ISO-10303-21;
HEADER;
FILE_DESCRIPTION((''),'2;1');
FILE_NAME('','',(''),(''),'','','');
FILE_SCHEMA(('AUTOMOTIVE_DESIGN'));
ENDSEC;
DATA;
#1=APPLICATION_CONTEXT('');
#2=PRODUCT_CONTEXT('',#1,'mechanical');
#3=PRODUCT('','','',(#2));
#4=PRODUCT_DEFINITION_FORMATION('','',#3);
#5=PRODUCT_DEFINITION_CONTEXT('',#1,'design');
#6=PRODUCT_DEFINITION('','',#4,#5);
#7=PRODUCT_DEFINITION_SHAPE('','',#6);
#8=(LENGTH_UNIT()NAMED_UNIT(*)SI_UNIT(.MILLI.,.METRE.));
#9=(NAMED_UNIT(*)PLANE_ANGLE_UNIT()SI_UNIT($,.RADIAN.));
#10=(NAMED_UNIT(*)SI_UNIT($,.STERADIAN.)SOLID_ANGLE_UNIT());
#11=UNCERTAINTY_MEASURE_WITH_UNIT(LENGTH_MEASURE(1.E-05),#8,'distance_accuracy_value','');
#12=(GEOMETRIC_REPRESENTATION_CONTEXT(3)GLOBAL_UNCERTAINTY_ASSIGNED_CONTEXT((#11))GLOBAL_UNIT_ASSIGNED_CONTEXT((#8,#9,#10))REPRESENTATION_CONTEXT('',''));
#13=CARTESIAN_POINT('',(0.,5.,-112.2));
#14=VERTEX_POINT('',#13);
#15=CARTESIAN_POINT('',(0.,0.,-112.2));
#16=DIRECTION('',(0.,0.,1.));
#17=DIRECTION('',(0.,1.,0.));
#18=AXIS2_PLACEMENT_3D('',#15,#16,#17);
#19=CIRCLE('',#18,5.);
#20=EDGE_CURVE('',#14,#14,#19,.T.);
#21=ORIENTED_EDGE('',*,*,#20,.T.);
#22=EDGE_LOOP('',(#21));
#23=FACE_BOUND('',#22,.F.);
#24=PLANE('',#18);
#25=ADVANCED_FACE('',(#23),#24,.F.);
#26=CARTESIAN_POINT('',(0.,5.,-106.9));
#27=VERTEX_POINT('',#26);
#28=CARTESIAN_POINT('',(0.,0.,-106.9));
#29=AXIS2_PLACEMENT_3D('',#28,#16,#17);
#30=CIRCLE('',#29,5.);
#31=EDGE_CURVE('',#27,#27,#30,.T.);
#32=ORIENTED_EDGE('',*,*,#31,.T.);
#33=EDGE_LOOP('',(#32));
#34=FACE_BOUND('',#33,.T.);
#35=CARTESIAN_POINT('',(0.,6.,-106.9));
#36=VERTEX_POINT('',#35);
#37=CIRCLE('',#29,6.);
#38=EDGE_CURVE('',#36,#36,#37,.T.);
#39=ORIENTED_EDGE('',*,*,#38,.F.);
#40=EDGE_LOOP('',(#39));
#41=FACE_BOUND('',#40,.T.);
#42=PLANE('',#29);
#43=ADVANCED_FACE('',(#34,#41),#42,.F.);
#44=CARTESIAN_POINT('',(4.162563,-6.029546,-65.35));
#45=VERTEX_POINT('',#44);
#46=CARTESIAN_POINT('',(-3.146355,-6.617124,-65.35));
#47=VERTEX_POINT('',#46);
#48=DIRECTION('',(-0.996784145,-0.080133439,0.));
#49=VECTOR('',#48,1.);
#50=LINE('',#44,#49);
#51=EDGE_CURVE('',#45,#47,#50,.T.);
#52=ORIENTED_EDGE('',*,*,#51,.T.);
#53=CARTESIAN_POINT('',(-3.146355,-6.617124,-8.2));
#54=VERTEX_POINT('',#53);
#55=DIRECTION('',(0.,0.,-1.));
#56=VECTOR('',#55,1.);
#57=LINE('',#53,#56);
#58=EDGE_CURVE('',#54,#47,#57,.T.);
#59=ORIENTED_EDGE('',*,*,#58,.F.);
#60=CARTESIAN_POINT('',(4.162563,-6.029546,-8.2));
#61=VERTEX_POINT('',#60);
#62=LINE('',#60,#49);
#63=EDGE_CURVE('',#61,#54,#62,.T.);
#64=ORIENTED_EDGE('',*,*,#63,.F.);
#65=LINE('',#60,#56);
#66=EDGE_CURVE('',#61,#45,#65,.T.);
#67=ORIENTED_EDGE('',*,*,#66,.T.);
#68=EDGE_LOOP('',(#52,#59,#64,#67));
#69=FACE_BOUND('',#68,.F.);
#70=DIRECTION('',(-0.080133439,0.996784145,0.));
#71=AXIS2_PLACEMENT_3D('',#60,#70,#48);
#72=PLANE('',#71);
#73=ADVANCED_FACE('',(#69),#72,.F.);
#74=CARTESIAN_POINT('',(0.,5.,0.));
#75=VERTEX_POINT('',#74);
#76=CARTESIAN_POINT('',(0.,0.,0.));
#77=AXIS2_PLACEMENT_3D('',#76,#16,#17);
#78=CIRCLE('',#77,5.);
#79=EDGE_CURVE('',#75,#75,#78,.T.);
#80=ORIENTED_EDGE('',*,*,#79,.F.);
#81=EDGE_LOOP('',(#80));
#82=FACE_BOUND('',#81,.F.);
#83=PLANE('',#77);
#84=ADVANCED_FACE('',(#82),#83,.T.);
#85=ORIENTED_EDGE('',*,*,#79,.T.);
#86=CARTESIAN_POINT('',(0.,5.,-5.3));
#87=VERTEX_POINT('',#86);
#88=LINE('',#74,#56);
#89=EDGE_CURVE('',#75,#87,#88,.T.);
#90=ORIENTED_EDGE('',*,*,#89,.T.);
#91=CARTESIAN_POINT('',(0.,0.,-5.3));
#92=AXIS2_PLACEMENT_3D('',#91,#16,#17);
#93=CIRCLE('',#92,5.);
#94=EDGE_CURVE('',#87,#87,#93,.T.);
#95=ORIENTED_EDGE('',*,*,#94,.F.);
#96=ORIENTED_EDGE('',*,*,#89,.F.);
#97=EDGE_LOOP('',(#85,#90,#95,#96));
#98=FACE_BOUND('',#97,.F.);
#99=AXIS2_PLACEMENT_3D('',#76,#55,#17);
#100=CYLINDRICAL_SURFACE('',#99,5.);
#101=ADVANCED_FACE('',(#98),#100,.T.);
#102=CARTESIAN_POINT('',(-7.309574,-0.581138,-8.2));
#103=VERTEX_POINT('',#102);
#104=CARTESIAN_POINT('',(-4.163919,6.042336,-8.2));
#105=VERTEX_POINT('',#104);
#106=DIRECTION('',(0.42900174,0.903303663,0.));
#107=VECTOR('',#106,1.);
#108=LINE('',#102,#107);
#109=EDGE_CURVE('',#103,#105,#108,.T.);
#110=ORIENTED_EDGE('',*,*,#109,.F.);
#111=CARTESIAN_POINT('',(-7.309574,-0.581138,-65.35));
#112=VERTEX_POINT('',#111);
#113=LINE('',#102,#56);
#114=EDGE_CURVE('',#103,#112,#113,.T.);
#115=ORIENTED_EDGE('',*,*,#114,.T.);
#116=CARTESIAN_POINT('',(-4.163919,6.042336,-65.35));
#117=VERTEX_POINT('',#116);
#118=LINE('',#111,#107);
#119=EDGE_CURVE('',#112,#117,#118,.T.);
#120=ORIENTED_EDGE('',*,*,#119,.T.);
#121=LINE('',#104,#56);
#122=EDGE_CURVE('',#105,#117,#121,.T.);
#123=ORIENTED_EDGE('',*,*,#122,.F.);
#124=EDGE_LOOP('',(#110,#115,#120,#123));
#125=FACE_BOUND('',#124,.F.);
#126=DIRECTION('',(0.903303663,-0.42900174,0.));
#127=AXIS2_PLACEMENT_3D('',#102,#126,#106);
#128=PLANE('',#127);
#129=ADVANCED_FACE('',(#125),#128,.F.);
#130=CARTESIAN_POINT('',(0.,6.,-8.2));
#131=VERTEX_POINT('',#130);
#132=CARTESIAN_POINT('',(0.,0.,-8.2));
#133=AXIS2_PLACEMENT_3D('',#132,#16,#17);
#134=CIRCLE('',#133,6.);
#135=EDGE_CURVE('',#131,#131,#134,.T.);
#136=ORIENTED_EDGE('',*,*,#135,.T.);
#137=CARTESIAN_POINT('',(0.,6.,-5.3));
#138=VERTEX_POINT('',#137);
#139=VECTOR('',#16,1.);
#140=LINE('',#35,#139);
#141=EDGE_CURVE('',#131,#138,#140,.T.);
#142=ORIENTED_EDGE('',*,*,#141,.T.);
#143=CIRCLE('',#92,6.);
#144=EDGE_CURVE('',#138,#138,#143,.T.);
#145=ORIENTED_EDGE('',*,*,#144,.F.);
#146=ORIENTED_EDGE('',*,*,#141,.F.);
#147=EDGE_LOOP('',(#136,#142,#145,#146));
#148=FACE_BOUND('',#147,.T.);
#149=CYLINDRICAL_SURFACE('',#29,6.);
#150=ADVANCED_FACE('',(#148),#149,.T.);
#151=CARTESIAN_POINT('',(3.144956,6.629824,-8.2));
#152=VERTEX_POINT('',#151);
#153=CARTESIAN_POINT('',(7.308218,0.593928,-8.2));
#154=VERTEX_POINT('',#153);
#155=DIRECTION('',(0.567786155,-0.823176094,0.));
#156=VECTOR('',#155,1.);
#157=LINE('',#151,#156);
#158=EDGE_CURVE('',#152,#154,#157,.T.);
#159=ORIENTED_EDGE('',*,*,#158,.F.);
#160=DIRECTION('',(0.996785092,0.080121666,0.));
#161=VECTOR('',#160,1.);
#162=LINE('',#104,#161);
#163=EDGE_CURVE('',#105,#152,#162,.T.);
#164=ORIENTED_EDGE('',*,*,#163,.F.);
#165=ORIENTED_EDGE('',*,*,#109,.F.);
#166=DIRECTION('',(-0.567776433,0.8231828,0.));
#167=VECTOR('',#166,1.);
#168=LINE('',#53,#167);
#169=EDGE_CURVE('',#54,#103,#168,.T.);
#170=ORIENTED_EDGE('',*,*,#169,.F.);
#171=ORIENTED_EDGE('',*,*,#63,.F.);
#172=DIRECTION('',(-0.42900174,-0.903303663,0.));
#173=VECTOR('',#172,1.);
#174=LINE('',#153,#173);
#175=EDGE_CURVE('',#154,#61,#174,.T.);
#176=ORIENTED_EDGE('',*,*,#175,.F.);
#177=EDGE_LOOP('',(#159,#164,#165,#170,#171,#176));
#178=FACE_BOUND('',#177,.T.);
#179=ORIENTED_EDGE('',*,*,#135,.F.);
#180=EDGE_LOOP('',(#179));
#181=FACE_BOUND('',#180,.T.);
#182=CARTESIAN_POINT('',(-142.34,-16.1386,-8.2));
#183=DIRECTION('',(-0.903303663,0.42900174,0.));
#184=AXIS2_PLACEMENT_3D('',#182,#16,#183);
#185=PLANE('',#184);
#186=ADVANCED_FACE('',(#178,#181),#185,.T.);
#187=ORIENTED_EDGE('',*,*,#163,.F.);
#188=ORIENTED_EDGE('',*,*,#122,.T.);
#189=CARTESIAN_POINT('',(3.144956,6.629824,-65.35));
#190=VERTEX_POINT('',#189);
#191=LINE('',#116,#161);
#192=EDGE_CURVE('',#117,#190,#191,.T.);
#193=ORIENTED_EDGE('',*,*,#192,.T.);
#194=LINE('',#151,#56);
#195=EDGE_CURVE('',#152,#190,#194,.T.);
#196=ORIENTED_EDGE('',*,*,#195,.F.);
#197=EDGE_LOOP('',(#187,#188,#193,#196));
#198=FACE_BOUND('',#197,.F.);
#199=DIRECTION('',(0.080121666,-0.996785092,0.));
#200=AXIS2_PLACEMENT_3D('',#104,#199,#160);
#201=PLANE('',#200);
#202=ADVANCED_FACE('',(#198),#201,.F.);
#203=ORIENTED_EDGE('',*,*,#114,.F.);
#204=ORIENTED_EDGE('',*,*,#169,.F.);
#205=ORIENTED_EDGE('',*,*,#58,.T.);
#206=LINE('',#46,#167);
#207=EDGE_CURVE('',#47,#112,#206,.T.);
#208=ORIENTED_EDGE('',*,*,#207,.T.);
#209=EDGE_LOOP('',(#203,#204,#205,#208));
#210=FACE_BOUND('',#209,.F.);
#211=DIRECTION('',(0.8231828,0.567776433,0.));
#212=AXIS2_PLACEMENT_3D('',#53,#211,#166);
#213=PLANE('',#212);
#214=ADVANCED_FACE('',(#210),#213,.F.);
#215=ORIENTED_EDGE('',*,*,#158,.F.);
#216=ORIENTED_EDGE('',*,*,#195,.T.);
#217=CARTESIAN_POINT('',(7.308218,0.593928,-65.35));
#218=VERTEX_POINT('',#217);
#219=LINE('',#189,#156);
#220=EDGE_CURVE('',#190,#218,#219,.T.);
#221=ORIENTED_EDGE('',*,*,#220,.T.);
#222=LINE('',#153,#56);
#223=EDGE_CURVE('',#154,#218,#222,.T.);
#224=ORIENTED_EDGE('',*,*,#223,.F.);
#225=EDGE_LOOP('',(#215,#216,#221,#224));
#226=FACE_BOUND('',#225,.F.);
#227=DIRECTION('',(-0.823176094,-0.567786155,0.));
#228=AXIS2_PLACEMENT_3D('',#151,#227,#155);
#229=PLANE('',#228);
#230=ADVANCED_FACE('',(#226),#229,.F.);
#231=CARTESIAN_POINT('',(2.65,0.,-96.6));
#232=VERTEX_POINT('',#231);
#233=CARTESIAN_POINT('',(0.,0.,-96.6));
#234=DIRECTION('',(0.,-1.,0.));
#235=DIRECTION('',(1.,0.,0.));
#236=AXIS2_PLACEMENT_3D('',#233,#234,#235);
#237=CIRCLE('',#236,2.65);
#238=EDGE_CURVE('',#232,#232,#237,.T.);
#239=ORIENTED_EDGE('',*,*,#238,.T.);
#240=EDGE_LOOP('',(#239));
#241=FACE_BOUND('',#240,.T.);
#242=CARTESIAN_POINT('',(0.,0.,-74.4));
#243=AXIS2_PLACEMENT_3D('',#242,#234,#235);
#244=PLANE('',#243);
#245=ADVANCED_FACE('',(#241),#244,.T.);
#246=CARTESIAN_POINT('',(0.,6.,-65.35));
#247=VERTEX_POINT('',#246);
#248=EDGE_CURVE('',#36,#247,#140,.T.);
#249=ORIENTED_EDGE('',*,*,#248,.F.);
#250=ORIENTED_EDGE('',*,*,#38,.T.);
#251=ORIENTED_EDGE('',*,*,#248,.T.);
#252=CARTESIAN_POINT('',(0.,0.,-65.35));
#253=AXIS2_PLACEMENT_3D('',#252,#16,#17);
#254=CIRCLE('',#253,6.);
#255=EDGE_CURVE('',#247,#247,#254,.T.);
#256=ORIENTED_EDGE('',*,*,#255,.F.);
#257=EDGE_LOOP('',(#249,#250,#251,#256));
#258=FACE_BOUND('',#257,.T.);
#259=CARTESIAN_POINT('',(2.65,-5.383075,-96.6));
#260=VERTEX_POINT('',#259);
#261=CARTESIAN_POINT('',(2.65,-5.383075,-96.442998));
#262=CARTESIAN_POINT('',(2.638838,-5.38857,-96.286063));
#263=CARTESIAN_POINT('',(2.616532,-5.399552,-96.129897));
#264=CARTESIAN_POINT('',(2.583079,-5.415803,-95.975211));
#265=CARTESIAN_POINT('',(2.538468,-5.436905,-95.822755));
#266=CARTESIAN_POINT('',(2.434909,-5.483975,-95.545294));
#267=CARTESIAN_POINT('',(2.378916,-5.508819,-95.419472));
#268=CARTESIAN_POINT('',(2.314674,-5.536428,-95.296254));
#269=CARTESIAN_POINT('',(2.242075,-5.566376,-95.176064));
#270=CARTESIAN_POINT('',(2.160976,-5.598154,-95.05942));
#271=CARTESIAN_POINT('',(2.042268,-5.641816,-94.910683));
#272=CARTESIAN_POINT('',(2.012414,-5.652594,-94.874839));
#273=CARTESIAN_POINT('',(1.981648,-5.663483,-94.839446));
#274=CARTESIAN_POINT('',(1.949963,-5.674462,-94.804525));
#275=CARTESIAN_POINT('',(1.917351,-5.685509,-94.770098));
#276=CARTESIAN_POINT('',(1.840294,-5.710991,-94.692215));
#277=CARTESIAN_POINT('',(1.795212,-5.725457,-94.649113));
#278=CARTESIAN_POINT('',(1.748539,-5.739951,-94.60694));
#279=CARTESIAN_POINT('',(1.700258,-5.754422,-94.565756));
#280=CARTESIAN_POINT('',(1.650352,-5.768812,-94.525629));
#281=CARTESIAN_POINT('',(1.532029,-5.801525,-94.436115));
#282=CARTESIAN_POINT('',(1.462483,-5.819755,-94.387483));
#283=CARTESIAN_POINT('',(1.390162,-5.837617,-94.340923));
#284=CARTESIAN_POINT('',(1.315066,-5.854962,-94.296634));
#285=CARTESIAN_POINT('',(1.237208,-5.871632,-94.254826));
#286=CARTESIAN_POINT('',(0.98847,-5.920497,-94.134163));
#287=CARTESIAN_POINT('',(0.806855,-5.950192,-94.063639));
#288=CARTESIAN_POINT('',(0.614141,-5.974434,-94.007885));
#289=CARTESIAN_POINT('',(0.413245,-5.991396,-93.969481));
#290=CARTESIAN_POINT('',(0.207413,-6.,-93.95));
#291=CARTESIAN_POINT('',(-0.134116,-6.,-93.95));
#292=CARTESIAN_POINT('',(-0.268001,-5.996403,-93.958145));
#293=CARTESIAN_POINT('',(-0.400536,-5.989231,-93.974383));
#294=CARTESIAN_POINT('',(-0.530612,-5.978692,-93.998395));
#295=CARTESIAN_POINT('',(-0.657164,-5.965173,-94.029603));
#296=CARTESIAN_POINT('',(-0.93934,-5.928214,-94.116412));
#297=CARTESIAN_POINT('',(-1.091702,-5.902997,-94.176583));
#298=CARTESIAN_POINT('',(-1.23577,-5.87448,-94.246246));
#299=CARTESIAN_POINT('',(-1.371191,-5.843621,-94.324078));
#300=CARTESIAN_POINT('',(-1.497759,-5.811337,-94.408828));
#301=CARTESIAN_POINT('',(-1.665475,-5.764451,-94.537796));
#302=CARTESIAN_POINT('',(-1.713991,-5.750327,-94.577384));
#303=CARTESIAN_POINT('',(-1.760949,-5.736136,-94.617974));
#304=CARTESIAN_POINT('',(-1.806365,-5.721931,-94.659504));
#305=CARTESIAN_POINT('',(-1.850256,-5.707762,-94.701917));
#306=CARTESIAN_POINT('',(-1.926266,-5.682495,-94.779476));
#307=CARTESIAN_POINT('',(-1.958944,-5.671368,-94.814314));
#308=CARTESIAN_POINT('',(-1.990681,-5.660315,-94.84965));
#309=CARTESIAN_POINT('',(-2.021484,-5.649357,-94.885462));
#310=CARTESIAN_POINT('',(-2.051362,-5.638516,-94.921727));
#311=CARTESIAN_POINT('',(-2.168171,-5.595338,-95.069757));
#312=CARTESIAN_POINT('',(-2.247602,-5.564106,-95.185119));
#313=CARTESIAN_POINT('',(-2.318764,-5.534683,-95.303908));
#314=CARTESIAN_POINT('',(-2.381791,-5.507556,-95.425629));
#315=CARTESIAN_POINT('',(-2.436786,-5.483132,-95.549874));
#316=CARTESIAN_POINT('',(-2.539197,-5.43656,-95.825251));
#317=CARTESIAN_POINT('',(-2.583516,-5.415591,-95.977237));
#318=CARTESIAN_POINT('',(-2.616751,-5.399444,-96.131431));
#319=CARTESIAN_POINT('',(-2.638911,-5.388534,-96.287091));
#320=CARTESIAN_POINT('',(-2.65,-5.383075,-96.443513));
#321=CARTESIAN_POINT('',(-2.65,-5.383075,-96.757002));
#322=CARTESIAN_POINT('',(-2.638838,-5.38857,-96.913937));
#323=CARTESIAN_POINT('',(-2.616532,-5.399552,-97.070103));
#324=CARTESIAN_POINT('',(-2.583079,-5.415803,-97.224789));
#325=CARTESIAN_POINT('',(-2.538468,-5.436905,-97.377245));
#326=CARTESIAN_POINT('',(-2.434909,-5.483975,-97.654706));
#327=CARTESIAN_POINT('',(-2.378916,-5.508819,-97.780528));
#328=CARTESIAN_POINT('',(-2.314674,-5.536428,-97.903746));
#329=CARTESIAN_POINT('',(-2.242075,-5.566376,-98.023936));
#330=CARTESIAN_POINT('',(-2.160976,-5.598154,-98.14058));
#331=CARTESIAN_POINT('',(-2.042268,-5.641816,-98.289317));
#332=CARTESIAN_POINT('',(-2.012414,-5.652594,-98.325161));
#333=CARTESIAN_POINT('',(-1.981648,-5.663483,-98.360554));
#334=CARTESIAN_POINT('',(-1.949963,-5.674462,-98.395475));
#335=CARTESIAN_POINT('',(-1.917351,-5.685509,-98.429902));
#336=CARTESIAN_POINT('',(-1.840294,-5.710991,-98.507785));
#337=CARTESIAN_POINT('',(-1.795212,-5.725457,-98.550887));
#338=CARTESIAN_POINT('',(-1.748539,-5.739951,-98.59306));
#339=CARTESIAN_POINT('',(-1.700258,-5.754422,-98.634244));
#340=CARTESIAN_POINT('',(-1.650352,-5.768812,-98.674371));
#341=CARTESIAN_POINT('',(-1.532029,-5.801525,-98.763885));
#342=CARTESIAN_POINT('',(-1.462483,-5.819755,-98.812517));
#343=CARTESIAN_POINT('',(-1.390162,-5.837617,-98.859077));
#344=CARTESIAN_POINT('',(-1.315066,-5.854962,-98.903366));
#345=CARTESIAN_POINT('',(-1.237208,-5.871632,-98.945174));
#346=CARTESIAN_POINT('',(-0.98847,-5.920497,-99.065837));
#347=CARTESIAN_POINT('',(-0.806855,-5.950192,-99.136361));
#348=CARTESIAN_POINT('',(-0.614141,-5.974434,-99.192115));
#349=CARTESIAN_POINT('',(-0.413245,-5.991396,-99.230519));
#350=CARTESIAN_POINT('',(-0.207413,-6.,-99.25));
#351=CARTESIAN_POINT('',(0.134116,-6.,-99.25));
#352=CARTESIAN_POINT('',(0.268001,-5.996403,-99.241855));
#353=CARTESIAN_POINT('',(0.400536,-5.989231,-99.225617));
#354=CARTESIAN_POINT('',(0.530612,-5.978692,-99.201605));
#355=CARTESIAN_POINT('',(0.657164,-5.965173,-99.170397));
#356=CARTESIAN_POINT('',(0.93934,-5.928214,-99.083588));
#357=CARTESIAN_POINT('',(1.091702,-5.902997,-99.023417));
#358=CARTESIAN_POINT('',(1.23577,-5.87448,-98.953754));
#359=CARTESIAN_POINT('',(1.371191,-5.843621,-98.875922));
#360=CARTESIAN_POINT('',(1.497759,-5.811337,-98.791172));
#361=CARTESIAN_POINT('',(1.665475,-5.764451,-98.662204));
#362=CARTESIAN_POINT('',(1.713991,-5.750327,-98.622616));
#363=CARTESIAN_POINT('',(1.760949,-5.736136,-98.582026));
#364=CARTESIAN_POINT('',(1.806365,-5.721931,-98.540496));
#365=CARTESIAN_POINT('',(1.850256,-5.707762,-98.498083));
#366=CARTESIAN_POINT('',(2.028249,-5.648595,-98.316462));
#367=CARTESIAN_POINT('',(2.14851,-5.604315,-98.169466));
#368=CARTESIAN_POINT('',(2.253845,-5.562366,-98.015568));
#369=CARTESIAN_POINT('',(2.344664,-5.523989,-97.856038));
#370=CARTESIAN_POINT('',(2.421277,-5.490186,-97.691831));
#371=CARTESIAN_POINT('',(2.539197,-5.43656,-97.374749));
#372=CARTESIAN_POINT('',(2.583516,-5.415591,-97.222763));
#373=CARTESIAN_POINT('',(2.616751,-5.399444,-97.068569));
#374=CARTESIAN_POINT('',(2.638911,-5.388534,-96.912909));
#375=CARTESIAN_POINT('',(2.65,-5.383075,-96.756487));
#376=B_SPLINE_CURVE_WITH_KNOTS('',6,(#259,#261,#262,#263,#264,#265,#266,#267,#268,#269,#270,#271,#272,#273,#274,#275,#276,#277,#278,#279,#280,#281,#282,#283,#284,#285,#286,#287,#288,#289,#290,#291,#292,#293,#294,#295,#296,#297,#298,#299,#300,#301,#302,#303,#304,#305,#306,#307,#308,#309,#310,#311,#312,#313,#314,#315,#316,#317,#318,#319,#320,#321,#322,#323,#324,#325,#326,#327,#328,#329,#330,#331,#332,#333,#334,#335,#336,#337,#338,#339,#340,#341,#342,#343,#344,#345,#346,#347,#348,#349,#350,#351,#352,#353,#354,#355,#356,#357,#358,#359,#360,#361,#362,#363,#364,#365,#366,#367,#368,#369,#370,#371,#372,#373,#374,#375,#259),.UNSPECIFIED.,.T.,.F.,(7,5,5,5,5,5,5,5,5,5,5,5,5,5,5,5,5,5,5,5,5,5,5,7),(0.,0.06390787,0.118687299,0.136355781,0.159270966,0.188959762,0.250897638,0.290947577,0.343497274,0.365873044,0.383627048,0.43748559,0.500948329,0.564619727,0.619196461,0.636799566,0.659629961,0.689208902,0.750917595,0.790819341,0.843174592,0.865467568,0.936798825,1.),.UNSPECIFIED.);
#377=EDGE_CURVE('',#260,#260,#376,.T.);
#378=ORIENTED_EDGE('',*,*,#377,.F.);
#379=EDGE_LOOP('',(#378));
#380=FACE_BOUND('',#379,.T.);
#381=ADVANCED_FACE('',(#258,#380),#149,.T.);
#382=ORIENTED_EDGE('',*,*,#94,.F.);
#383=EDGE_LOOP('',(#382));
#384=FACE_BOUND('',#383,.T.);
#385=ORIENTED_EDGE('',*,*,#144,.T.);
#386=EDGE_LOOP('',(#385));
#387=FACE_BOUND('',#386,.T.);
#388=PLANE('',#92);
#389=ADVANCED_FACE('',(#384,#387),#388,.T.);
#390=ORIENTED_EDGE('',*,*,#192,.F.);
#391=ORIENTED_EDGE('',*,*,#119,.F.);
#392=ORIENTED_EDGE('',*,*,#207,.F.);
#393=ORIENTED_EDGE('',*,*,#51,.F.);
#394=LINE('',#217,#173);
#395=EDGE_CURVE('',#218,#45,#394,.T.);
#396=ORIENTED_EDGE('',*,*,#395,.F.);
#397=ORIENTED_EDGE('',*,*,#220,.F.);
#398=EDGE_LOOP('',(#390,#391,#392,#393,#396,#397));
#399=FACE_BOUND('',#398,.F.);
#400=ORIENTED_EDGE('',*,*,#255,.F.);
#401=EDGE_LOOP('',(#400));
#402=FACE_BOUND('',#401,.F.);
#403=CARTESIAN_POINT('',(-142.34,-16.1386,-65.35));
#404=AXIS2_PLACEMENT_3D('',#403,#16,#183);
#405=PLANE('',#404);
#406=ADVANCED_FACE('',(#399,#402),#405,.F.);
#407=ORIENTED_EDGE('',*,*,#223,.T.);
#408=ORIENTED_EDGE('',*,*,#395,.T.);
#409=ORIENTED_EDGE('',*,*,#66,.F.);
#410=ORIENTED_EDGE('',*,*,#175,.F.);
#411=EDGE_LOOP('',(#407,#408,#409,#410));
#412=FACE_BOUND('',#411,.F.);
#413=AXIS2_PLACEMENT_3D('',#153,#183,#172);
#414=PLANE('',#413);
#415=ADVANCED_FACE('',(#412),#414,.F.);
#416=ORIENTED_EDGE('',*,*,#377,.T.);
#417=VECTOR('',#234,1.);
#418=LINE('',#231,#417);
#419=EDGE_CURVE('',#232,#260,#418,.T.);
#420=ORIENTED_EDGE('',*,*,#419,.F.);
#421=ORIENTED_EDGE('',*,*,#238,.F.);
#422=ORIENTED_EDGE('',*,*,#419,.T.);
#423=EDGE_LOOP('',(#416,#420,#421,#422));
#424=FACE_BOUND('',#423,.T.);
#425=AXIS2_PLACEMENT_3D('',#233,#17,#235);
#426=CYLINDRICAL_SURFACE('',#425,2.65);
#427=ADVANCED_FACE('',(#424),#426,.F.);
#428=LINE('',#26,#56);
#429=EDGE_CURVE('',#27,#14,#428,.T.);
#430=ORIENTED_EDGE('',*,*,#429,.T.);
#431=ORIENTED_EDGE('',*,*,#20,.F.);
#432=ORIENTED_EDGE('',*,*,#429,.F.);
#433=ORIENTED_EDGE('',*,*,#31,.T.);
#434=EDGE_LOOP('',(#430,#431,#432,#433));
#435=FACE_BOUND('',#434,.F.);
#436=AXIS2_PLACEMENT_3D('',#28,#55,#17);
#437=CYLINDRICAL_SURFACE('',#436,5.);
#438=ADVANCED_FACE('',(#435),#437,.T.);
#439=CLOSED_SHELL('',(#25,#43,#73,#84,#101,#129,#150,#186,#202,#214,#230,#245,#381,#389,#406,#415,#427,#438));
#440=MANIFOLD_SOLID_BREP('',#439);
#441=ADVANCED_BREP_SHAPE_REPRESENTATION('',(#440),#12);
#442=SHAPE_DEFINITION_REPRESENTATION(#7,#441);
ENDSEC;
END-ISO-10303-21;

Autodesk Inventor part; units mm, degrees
ref_plane "YZ Plane" through (0, 0, 0) normal (1, 0, 0) x (0, 1, 0)
ref_plane "XZ Plane" through (0, 0, 0) normal (0, 1, 0) x (-1, 0, 0)
ref_plane "XY Plane" through (0, 0, 0) normal (0, 0, 1) x (1, 0, 0)
sketch "Sketch1" plane through (0, 0, 0) normal (1, 0, 0) x (0, 1, 0)
  line L0 (5, 0) -> (5, -5.3)
  line L1 (5, -106.9) -> (5, -112.2)
  line L2 (5, -112.2) -> (0, -112.2)
  line L3 (0, -112.2) -> (0, 0)
  line L4 (0, 0) -> (5, 0)
  line L5 (5, -106.9) -> (6, -106.9)
  line L6 (6, -106.9) -> (6, -5.3)
  line L7 (6, -5.3) -> (5, -5.3)
  dimension "d2" = 5
  dimension "d3" = 5.3
  dimension "d4" = 5.3
  dimension "d6" = 112.2
  dimension "d16" = 6
  dimension "d17" = 5
revolve "Revolution1" add sketch "Sketch1" angle 360 about axis through (0, 0, -112.2) along (0, 0, 1)
ref_plane "Work Plane1" through (0, 0, -74.4) normal (0, -1, 0) x (1, 0, 0)
sketch "Sketch3" plane through (0, 0, -74.4) normal (0, -1, 0) x (1, 0, 0)
  circle A0 centre (0, -22.2) radius 2.65
  line L0 (-5, -37.8) -> (5, -37.8) projected
  line L1 (0, -22.2) -> (0, -37.8) construction
  point P0 (0, 74.4)
  dimension "d12" = 5.3
  dimension "d13" = 15.6
extrude "Extrusion2" cut sketch "Sketch3" along normal blind 10
ref_plane "Work Plane4" through (0, 0, -8.2) normal (0, 0, 1) x (1, 0, 0)
sketch "Sketch5" plane through (-142.34, -16.1386, -8.2) normal (0, 0, 1) x (-0.9033, 0.429, 0)
  line L0 (-121.6494, -68.3151) -> (-115.2993, -71.9814)
  line L1 (-115.2993, -71.9814) -> (-115.2993, -79.3139)
  line L2 (-115.2993, -79.3139) -> (-121.6494, -82.9801)
  line L3 (-121.6494, -82.9801) -> (-127.9995, -79.3139)
  line L4 (-127.9995, -79.3139) -> (-127.9995, -71.9814)
  line L5 (-127.9995, -71.9814) -> (-121.6494, -68.3151)
  line L6 (-121.6494, -82.9801) -> (-121.6494, -68.3151) construction
  point P0 (-121.6494, -75.6476)
  point P1 (-121.6494, -75.6476)
  dimension "d21" = 14.665
extrude "Extrusion4" add sketch "Sketch5" against normal blind 57.15
properties part number "Mecanum Axle" material "Stainless Steel"
